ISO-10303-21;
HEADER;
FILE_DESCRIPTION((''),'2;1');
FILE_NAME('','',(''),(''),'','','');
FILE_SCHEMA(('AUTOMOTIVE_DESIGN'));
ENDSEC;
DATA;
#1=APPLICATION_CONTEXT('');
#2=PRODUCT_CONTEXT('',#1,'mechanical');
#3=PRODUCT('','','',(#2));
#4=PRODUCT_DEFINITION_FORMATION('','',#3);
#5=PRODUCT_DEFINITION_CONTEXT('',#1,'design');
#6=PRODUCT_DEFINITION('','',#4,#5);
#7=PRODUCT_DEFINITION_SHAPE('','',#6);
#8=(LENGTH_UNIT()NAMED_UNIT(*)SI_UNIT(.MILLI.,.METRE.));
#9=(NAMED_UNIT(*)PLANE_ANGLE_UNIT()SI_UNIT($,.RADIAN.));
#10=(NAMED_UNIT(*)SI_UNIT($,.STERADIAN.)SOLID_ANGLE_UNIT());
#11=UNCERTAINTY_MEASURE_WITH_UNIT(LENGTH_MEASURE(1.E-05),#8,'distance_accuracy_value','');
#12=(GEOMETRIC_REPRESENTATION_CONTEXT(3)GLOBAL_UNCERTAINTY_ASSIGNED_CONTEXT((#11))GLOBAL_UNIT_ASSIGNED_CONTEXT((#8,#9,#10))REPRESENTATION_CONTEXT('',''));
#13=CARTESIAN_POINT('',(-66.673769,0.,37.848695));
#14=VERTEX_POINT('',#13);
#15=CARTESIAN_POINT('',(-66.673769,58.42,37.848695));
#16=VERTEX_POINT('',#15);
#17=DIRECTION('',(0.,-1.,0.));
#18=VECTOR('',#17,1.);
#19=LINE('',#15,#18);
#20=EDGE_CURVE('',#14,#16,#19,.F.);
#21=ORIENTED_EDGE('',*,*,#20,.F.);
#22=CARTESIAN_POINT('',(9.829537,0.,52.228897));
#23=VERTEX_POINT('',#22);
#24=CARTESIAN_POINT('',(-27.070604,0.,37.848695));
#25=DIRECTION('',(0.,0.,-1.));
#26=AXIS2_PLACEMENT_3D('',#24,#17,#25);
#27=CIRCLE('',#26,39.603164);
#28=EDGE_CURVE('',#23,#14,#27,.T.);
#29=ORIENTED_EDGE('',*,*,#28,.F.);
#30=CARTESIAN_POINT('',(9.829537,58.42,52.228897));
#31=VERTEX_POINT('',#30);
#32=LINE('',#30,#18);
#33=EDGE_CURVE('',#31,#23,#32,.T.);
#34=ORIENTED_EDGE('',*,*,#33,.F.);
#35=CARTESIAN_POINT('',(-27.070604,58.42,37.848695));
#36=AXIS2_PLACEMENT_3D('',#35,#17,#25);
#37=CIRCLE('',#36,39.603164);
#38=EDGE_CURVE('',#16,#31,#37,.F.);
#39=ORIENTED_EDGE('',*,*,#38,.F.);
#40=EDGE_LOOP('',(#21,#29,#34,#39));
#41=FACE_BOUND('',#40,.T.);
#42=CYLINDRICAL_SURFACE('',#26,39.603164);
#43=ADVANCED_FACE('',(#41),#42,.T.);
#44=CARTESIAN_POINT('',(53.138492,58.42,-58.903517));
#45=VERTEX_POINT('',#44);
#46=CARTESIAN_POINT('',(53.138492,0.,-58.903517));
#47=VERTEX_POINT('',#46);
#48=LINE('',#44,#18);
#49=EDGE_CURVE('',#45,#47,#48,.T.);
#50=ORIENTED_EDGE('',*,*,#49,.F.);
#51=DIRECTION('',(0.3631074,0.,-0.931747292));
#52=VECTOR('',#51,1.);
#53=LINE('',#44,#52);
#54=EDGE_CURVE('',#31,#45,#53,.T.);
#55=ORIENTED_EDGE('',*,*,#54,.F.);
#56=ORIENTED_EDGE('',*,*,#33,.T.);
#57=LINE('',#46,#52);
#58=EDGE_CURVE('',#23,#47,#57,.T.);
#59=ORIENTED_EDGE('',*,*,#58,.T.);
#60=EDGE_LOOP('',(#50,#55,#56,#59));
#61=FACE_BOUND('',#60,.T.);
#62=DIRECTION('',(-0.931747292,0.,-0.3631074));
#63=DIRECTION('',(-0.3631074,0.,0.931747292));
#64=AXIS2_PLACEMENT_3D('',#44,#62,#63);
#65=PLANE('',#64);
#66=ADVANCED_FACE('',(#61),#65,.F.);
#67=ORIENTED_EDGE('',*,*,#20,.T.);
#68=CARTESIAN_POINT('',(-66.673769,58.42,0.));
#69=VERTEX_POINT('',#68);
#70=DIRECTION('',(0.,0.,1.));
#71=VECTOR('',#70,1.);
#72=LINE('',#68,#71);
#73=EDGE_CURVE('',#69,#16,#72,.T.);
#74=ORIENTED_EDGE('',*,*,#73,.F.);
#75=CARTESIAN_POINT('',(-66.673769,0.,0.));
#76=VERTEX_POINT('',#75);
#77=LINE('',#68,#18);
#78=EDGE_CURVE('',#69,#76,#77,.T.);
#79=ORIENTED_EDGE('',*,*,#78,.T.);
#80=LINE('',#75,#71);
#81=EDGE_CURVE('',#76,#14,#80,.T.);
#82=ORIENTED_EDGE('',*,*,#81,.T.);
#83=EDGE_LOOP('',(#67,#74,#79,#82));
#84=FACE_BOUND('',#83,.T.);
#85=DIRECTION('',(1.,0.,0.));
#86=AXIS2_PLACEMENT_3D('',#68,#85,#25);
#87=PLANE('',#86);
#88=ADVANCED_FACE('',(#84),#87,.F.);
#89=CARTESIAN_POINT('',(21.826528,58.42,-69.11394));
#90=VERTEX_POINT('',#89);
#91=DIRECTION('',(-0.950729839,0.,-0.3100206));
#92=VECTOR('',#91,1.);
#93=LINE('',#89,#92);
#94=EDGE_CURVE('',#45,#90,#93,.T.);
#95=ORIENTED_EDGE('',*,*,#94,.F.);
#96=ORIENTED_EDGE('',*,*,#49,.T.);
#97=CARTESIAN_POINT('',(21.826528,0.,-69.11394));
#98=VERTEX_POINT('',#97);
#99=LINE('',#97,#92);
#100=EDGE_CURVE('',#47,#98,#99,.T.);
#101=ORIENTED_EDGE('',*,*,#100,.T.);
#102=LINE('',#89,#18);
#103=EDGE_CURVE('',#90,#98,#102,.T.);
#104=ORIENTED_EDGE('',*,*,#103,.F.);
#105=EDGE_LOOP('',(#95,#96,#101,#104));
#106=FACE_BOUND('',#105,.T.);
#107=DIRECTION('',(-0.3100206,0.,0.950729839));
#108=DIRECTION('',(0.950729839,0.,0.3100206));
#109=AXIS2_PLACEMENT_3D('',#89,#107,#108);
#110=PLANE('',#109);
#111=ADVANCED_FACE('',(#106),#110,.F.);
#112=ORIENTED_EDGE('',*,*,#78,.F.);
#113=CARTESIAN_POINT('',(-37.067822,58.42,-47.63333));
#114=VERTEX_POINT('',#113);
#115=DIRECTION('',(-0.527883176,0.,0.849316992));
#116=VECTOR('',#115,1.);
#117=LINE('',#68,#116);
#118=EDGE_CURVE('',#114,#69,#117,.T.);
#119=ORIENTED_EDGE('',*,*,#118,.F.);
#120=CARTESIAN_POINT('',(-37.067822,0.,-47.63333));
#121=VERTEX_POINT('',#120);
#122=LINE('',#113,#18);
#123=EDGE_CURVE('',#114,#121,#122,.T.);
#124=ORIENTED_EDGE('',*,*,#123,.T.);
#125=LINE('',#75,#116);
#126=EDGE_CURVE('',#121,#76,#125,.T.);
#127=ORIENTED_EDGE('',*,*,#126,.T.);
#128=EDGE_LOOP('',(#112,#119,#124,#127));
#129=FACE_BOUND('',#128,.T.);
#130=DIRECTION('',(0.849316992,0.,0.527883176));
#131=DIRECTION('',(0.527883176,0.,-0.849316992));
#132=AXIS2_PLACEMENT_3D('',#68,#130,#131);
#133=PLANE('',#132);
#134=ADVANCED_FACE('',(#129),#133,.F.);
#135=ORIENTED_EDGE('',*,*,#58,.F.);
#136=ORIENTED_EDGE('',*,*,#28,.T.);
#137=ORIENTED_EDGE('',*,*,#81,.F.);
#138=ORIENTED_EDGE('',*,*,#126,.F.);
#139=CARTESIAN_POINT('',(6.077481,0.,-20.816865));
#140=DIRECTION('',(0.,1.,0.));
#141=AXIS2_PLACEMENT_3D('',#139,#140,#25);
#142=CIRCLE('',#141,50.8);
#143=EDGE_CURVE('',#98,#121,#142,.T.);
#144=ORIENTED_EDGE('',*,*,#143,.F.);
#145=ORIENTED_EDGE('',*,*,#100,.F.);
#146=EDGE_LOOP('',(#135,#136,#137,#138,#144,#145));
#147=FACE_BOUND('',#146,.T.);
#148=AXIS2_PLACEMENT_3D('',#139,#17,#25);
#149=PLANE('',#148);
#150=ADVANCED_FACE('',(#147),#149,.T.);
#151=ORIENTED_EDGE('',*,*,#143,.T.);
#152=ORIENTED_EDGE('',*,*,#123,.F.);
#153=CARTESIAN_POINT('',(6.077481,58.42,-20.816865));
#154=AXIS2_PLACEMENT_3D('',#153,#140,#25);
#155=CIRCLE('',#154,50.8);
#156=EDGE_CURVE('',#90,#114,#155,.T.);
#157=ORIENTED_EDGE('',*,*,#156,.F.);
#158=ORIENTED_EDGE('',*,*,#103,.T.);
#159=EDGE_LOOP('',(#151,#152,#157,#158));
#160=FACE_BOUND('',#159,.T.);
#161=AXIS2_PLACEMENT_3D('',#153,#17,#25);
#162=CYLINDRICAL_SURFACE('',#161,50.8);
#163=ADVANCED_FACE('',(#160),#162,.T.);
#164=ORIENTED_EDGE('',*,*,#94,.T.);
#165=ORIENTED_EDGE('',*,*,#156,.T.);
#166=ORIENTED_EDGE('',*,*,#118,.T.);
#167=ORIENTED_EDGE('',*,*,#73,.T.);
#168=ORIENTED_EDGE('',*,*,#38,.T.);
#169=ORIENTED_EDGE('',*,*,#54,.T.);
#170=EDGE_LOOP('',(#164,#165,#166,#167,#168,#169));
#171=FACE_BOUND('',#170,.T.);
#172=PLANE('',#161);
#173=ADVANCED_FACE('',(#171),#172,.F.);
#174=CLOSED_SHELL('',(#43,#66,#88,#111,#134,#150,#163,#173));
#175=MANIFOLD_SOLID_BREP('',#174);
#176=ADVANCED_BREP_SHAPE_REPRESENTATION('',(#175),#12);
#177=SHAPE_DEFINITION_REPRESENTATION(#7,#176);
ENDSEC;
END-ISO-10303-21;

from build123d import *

# Parameters (mm, degrees)
BOSS_EXTRUDE1_DEPTH = 58.42
FILLET3_R           = 39.603164


with BuildPart() as part:
    # Sketch1 → Boss-Extrude1 (new body)
    with BuildSketch(Plane(origin=(0, 0, 0), x_dir=(1, 0, 0), z_dir=(0, 1, 0))):
        with BuildLine():
            Line((-66.673768512, 0), (-37.067821873, 47.633329988))
            ThreePointArc((-37.067821873, 47.633329988), (-11.329209284, 68.541566023), (21.82652777, 69.113940477))
            Line((21.82652777, 69.113940477), (53.138492197, 58.903517294))
            Line((53.138492197, 58.903517294), (0, -77.45185891))
            Line((0, -77.45185891), (-66.673768512, -77.45185891))
            Line((-66.673768512, -77.45185891), (-66.673768512, 0))
        make_face()
    extrude(amount=BOSS_EXTRUDE1_DEPTH)

    # Fillet3
    fillet3_edges = [part.edges().sort_by_distance(p)[0] for p in [
        (0, 29.21, 77.45185891),
        (-66.673768512, 29.21, 77.45185891),
    ]]
    fillet(fillet3_edges, radius=FILLET3_R)


solid = part.part
